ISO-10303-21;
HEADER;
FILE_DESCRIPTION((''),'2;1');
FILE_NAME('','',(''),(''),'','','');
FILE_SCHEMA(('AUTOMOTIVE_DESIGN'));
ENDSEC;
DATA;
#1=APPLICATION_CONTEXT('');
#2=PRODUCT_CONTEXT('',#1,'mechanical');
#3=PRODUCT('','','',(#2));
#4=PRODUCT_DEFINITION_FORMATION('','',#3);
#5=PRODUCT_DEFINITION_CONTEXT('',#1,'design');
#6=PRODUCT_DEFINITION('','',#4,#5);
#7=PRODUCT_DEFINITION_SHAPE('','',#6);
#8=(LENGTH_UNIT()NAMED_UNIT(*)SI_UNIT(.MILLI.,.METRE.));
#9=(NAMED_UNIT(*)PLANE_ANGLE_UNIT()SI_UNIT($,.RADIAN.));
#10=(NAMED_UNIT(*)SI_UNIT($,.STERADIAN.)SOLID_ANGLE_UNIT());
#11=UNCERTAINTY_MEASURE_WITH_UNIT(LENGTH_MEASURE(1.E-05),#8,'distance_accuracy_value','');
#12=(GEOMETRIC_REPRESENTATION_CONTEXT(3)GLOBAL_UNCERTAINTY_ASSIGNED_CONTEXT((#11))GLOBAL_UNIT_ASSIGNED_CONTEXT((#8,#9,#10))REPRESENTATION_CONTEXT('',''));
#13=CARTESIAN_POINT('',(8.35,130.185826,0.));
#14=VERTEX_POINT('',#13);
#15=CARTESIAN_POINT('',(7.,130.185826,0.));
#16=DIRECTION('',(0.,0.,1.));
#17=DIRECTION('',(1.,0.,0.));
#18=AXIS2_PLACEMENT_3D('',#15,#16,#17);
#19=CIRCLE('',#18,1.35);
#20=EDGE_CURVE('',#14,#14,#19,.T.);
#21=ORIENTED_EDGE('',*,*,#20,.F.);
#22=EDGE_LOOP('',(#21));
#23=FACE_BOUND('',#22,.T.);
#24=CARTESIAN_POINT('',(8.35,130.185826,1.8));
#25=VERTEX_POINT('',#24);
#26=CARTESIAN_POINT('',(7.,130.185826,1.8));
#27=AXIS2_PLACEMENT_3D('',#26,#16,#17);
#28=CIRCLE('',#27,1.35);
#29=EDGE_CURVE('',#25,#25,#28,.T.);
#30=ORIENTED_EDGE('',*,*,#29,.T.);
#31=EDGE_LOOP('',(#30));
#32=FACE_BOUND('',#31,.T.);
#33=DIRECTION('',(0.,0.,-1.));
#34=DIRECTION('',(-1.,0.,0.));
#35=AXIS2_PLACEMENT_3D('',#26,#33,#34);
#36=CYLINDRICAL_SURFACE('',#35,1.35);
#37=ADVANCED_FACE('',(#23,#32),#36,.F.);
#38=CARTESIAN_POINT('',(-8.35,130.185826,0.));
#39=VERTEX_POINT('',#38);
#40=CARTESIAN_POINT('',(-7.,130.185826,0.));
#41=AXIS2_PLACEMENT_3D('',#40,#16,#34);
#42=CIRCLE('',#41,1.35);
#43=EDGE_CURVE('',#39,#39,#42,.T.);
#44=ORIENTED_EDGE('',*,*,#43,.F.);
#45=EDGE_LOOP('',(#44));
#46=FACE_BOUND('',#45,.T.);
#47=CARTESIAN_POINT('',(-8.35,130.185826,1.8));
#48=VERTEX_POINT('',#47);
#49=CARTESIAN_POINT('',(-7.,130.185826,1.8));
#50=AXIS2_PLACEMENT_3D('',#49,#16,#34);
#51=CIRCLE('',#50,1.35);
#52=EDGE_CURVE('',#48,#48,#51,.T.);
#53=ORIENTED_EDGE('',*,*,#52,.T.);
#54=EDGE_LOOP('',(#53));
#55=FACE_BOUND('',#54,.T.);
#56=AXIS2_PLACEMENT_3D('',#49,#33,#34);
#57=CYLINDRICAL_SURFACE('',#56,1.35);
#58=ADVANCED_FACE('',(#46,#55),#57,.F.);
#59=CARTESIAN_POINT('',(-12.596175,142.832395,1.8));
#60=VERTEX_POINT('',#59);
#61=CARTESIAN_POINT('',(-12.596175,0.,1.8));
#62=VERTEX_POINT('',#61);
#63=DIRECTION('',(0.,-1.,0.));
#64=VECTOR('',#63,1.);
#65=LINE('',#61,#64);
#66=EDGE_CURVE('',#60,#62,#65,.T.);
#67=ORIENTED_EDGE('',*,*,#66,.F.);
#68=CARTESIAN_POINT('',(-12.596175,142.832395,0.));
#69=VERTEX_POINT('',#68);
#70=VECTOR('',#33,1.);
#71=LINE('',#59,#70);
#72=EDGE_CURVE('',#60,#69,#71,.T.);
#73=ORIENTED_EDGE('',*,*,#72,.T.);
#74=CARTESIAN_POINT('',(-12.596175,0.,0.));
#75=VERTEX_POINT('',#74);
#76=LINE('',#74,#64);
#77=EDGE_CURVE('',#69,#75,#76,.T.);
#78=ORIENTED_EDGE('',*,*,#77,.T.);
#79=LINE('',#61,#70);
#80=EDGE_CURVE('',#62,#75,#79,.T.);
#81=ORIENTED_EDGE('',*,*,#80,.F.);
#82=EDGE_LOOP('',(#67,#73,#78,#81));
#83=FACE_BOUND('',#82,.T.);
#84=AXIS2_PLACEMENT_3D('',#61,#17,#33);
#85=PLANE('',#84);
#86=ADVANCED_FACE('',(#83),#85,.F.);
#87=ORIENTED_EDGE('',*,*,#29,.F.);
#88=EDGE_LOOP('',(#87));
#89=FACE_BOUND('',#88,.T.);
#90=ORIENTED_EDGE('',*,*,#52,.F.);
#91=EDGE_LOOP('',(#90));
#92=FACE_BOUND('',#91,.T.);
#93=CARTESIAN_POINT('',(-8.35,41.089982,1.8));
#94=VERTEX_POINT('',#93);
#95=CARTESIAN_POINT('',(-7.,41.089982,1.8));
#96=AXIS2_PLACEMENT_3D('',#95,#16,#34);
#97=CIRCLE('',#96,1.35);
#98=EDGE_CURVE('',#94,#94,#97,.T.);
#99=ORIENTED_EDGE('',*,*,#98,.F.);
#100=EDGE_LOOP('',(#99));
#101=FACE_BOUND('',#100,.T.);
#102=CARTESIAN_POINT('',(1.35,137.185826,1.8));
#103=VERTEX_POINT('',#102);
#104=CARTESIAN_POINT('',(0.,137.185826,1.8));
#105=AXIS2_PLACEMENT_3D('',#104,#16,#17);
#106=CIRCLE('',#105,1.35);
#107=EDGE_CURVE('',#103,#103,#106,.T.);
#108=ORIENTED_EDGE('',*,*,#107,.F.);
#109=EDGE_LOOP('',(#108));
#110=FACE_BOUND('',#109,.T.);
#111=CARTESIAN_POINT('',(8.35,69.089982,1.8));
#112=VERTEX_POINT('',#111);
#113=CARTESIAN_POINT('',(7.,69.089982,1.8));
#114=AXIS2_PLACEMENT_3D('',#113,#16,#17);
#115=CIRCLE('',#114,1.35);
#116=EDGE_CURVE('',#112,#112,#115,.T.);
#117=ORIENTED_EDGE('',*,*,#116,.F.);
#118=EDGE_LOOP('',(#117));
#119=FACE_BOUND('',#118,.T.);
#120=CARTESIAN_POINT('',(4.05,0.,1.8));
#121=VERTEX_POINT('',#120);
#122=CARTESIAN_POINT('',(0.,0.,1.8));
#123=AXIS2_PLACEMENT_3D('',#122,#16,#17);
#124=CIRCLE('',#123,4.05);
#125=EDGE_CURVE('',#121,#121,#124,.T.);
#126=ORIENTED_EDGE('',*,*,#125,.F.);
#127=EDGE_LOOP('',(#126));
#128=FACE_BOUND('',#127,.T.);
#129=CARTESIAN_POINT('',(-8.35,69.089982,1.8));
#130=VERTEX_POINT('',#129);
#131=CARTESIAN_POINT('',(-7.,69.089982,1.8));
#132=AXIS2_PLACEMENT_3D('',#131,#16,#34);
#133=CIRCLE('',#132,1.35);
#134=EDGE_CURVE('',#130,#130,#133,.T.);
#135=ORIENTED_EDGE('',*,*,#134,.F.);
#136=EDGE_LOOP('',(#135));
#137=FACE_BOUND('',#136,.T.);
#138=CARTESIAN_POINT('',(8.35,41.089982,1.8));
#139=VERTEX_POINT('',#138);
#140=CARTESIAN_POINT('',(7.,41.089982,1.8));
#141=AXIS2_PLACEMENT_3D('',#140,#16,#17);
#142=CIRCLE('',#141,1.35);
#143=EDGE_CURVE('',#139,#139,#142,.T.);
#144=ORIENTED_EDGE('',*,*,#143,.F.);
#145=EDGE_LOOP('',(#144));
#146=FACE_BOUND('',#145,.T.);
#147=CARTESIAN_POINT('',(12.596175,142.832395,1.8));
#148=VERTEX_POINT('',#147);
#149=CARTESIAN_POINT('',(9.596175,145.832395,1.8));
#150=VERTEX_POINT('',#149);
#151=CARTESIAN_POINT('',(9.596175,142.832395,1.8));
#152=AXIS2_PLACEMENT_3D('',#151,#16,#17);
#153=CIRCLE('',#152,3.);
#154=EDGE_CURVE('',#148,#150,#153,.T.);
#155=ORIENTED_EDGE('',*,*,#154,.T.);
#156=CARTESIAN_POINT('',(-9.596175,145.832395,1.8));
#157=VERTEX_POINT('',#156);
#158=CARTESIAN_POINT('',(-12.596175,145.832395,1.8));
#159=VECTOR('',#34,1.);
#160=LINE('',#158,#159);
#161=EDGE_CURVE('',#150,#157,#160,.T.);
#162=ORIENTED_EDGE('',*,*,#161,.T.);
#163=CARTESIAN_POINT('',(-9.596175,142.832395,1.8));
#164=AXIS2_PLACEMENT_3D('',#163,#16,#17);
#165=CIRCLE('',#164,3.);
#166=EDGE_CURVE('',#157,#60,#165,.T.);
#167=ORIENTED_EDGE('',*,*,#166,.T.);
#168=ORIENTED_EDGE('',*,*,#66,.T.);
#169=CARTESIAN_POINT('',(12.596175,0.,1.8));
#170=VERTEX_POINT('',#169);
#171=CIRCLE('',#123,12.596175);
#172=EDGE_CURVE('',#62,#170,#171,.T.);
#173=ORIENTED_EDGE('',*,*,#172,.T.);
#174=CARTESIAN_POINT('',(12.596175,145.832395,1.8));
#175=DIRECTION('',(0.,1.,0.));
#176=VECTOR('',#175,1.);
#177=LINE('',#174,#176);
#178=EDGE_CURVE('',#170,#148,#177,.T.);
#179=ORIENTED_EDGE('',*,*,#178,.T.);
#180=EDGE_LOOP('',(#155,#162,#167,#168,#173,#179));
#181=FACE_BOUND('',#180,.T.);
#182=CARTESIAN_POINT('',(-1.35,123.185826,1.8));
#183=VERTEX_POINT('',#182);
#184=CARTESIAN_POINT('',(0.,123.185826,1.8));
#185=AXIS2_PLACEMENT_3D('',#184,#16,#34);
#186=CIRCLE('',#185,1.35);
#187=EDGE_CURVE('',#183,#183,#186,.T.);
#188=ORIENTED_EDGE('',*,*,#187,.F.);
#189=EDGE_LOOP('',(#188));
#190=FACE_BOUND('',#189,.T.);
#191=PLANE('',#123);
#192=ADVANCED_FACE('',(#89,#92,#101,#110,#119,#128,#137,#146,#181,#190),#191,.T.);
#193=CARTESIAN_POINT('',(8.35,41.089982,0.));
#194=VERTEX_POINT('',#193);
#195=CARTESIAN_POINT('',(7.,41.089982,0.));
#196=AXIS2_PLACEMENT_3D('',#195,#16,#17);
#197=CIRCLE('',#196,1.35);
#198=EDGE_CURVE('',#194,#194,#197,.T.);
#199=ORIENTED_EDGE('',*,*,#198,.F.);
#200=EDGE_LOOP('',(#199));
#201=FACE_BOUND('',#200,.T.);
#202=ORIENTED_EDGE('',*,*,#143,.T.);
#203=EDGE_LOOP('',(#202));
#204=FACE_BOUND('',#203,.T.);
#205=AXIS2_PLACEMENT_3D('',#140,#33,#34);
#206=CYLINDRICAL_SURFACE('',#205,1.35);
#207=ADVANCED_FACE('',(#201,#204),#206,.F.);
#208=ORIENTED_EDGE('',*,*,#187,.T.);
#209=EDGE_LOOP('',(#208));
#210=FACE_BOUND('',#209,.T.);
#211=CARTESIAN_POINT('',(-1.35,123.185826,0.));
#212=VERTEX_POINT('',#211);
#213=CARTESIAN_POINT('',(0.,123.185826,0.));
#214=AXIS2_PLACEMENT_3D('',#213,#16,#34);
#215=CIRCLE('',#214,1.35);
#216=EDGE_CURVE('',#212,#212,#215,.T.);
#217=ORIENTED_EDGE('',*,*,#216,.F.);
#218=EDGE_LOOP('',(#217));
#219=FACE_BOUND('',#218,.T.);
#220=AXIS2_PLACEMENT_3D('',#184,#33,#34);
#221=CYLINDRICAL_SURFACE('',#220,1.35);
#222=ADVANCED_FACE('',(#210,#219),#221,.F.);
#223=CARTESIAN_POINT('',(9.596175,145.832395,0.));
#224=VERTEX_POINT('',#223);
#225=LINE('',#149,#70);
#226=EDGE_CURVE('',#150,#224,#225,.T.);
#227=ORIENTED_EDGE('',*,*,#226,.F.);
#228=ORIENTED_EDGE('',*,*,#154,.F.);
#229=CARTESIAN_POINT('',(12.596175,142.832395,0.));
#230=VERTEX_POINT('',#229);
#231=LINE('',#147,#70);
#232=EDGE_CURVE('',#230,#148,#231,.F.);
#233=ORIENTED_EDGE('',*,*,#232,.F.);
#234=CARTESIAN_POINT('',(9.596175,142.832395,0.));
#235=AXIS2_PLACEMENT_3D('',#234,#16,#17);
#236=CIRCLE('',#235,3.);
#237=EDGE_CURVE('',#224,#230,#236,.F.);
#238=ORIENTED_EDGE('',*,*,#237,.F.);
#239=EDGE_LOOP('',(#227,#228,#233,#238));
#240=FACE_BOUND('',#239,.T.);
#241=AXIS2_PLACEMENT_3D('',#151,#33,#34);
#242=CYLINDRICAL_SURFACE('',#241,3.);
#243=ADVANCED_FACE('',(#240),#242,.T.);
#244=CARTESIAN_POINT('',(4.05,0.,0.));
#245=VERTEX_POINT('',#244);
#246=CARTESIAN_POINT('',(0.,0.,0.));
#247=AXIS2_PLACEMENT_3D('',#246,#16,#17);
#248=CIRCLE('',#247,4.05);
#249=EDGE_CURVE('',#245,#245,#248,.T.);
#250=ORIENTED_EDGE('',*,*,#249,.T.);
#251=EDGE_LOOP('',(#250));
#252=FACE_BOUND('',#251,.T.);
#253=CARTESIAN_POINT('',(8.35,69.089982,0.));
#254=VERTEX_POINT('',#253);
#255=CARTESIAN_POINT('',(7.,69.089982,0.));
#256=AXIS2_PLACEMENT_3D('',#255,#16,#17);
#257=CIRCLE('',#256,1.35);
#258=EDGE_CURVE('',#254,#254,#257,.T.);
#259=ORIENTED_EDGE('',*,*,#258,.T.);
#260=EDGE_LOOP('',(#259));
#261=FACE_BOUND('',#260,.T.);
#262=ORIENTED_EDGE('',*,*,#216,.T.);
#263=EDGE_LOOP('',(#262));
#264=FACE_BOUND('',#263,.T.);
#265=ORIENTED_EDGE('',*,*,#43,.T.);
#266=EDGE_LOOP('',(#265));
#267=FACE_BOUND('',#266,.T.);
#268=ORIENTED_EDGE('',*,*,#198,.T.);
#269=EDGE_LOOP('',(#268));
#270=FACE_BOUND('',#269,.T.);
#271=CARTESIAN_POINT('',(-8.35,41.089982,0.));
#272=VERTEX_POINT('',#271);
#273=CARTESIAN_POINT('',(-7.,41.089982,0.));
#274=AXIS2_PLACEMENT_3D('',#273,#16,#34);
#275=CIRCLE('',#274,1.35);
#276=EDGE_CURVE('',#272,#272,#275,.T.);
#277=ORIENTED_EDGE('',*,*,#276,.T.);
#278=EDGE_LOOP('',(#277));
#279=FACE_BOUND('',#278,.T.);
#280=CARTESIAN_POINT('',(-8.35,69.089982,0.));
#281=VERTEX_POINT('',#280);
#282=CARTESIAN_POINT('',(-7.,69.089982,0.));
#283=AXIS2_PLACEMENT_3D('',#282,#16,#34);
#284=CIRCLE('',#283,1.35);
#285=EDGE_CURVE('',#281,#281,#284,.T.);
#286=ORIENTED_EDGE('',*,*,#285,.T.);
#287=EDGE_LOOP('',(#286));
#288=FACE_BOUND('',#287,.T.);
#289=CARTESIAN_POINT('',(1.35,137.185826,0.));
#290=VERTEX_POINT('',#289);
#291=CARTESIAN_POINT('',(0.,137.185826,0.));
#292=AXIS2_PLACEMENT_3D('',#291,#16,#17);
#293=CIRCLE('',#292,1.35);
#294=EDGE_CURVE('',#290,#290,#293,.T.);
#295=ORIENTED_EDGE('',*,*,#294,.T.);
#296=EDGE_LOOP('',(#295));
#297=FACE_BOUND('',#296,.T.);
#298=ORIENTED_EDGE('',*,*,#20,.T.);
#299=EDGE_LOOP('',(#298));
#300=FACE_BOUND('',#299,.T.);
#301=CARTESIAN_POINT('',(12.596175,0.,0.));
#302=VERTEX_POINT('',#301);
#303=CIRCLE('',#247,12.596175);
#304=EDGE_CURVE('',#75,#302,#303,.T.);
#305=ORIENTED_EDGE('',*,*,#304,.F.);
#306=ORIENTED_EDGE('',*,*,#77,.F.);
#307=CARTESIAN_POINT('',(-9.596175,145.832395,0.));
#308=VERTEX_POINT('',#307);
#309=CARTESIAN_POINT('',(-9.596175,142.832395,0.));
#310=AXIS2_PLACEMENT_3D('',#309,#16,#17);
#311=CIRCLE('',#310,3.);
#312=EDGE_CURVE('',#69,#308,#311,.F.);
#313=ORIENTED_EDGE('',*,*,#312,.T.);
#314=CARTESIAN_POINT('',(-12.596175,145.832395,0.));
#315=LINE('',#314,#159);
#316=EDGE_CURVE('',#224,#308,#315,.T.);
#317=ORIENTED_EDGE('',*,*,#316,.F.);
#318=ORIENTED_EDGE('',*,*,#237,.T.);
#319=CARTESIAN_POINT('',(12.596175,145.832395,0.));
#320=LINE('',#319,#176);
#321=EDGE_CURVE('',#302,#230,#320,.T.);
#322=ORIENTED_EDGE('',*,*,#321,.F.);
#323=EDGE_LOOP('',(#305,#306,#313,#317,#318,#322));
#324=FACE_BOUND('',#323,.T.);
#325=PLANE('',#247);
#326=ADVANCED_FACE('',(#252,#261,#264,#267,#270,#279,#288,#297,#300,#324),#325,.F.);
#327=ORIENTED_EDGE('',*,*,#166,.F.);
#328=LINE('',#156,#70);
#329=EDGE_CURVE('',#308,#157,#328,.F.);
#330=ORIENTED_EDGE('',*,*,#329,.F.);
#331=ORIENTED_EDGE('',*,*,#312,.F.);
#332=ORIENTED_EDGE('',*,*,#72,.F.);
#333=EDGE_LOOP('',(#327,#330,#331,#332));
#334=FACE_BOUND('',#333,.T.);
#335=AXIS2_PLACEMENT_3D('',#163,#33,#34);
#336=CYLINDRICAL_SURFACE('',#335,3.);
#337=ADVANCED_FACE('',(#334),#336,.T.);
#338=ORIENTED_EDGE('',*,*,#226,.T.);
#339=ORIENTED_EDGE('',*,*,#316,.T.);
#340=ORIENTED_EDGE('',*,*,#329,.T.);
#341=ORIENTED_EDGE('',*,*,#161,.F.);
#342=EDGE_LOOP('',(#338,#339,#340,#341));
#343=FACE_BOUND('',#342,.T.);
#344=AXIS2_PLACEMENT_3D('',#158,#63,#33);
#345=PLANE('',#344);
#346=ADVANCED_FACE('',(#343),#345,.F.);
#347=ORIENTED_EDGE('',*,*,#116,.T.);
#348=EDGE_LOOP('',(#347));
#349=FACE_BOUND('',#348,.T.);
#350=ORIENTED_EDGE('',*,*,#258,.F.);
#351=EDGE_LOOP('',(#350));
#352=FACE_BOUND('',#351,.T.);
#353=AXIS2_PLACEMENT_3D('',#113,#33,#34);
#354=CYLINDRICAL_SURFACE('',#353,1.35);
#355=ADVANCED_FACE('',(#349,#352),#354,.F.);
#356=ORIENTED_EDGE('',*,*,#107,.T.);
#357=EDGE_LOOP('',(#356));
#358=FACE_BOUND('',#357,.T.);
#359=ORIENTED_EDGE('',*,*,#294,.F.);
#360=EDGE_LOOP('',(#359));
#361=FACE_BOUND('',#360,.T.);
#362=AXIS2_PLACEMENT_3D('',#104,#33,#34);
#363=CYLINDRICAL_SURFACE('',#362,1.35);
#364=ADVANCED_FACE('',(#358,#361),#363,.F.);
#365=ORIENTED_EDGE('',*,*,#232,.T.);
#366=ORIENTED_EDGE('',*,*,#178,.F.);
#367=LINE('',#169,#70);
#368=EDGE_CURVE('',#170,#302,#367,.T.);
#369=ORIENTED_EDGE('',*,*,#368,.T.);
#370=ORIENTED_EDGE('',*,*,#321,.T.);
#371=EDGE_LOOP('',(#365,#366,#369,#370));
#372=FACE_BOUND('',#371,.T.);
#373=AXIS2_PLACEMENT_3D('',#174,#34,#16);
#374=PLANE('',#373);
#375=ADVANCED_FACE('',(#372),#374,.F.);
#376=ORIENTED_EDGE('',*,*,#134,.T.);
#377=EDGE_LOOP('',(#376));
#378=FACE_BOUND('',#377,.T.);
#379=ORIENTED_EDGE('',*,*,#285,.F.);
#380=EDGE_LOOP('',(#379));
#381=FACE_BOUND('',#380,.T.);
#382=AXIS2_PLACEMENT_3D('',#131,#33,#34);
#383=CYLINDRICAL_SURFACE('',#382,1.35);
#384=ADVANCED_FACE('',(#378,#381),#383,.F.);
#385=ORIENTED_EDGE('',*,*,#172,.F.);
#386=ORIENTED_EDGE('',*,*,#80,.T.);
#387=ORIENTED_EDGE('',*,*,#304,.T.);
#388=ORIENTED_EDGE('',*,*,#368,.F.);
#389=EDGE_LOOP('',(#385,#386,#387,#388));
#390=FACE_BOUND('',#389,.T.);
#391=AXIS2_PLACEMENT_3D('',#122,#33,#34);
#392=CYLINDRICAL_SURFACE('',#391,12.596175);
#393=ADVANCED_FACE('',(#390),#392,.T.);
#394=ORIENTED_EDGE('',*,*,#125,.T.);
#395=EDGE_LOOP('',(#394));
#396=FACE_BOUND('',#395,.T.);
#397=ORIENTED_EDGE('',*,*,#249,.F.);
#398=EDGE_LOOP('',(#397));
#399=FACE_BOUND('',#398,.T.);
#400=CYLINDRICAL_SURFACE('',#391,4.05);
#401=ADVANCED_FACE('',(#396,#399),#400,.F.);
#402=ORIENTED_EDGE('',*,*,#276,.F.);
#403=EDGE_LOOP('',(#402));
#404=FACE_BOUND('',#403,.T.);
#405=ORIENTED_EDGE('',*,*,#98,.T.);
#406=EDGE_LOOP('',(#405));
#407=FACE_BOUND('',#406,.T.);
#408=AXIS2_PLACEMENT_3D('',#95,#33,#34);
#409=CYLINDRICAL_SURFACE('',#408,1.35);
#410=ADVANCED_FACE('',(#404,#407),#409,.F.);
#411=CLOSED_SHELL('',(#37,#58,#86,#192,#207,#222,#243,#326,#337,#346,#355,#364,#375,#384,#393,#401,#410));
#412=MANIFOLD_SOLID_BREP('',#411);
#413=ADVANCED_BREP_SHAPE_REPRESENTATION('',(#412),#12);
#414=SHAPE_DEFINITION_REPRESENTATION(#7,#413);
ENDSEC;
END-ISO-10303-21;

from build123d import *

# Parameters (mm, degrees)
ESBO_O1_R                = 1.35
ESBO_O1_R_2              = 4.05
RESSALTO_EXTRUS_O1_DEPTH = 1.8
FILETE1_R                = 3
FILETE3_R                = 3


with BuildPart() as part:
    # Esboço1 → Ressalto-extrusão1 (new body)
    with BuildSketch(Plane.XY):
        with BuildLine():
            Line((-12.596174938, 0), (-12.596174938, 145.832394841))
            Line((-12.596174938, 145.832394841), (12.596174938, 145.832394841))
            Line((12.596174938, 145.832394841), (12.596174938, 0))
            ThreePointArc((12.596174938, 0), (0, -12.596174938), (-12.596174938, 0))
        make_face()
        with Locations((7, 41.089981595)):
            Circle(ESBO_O1_R, mode=Mode.SUBTRACT)
        with Locations((7, 69.089981595)):
            Circle(ESBO_O1_R, mode=Mode.SUBTRACT)
        with Locations(Location((-7, 41.089981595, 0), (0, 0, 180))):
            Circle(ESBO_O1_R, mode=Mode.SUBTRACT)
        with Locations(Location((-7, 69.089981595, 0), (0, 0, 180))):
            Circle(ESBO_O1_R, mode=Mode.SUBTRACT)
        with Locations((7, 130.185826181)):
            Circle(ESBO_O1_R, mode=Mode.SUBTRACT)
        with Locations((0, 137.185826181)):
            Circle(ESBO_O1_R, mode=Mode.SUBTRACT)
        with Locations(Location((-7, 130.185826181, 0), (0, 0, 180))):
            Circle(ESBO_O1_R, mode=Mode.SUBTRACT)
        with Locations(Location((0, 123.185826181, 0), (0, 0, 180))):
            Circle(ESBO_O1_R, mode=Mode.SUBTRACT)
        Circle(ESBO_O1_R_2, mode=Mode.SUBTRACT)
    extrude(amount=RESSALTO_EXTRUS_O1_DEPTH)

    # Filete1
    filete1_edges = [part.edges().sort_by_distance(p)[0] for p in [
        (12.596174938, 145.832394841, 0.9),
    ]]
    fillet(filete1_edges, radius=FILETE1_R)

    # Filete3
    filete3_edges = [part.edges().sort_by_distance(p)[0] for p in [
        (-12.596174938, 145.832394841, 0.9),
    ]]
    fillet(filete3_edges, radius=FILETE3_R)


solid = part.part
